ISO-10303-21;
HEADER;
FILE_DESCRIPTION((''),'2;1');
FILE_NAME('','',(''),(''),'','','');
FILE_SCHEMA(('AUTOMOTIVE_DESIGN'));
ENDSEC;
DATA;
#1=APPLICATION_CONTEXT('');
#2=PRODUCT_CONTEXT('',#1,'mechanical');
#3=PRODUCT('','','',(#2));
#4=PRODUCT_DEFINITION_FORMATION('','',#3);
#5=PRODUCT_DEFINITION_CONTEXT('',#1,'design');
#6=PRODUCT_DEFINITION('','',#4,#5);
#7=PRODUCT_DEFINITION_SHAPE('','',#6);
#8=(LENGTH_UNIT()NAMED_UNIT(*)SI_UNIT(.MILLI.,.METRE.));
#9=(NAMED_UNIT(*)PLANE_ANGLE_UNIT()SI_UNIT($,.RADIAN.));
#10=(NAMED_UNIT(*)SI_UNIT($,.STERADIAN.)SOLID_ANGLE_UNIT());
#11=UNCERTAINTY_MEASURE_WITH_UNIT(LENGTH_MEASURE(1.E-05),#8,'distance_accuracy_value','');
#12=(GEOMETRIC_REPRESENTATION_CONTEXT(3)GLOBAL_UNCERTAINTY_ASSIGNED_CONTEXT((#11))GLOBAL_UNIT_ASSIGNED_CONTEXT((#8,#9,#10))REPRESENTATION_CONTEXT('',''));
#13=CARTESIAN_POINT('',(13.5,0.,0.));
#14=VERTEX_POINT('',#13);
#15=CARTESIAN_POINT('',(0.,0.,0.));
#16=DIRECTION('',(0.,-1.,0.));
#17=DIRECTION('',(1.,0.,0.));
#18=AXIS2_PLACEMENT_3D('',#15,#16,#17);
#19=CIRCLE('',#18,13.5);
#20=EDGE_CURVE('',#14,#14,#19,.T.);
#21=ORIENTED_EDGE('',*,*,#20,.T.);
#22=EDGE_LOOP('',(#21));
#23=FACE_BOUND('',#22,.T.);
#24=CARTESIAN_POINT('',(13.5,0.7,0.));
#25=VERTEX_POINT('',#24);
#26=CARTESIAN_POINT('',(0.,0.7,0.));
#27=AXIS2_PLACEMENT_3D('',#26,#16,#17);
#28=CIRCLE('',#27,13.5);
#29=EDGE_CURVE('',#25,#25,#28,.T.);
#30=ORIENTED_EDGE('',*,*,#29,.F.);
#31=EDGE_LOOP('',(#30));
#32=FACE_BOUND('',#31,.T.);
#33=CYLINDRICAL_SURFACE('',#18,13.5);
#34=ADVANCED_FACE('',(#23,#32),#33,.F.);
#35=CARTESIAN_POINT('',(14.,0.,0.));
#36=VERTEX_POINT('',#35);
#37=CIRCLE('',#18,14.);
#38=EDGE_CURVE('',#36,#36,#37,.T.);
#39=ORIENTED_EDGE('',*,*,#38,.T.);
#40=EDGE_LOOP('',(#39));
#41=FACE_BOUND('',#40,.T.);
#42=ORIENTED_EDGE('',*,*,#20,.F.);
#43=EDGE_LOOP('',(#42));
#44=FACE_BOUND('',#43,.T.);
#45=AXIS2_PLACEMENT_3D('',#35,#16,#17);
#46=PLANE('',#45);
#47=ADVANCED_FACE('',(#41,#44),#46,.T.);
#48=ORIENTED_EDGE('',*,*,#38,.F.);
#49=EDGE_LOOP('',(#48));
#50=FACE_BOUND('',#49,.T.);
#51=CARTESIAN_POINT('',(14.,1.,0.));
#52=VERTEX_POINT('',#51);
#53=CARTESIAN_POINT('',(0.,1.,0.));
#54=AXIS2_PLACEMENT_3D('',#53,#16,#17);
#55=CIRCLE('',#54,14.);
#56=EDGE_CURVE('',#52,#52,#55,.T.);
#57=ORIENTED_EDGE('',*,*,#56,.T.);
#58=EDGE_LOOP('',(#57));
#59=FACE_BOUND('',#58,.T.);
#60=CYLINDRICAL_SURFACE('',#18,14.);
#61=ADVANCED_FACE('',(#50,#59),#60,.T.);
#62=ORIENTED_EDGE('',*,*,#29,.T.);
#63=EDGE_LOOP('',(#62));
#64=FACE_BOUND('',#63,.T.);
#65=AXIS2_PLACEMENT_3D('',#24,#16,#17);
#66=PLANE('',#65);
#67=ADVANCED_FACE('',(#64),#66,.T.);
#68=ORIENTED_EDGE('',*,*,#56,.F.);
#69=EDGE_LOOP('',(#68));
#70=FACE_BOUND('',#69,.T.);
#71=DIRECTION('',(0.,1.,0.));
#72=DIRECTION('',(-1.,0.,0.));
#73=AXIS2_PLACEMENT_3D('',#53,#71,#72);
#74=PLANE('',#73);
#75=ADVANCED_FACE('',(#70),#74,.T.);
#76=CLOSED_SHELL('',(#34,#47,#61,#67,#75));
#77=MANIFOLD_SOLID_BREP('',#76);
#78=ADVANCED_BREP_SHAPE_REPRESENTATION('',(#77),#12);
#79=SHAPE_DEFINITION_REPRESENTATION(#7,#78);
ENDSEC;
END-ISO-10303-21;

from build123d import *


with BuildPart() as part:
    # Sketch1 → Revolve1 (revolve)
    with BuildSketch(Plane.XY):
        Polygon((0, 1), (14, 1), (14, 0), (13.5, 0), (13.5, 0.7), (0, 0.7), align=None)
    revolve(axis=Axis((0, 0, 0), (0, 1, 0)))


solid = part.part
